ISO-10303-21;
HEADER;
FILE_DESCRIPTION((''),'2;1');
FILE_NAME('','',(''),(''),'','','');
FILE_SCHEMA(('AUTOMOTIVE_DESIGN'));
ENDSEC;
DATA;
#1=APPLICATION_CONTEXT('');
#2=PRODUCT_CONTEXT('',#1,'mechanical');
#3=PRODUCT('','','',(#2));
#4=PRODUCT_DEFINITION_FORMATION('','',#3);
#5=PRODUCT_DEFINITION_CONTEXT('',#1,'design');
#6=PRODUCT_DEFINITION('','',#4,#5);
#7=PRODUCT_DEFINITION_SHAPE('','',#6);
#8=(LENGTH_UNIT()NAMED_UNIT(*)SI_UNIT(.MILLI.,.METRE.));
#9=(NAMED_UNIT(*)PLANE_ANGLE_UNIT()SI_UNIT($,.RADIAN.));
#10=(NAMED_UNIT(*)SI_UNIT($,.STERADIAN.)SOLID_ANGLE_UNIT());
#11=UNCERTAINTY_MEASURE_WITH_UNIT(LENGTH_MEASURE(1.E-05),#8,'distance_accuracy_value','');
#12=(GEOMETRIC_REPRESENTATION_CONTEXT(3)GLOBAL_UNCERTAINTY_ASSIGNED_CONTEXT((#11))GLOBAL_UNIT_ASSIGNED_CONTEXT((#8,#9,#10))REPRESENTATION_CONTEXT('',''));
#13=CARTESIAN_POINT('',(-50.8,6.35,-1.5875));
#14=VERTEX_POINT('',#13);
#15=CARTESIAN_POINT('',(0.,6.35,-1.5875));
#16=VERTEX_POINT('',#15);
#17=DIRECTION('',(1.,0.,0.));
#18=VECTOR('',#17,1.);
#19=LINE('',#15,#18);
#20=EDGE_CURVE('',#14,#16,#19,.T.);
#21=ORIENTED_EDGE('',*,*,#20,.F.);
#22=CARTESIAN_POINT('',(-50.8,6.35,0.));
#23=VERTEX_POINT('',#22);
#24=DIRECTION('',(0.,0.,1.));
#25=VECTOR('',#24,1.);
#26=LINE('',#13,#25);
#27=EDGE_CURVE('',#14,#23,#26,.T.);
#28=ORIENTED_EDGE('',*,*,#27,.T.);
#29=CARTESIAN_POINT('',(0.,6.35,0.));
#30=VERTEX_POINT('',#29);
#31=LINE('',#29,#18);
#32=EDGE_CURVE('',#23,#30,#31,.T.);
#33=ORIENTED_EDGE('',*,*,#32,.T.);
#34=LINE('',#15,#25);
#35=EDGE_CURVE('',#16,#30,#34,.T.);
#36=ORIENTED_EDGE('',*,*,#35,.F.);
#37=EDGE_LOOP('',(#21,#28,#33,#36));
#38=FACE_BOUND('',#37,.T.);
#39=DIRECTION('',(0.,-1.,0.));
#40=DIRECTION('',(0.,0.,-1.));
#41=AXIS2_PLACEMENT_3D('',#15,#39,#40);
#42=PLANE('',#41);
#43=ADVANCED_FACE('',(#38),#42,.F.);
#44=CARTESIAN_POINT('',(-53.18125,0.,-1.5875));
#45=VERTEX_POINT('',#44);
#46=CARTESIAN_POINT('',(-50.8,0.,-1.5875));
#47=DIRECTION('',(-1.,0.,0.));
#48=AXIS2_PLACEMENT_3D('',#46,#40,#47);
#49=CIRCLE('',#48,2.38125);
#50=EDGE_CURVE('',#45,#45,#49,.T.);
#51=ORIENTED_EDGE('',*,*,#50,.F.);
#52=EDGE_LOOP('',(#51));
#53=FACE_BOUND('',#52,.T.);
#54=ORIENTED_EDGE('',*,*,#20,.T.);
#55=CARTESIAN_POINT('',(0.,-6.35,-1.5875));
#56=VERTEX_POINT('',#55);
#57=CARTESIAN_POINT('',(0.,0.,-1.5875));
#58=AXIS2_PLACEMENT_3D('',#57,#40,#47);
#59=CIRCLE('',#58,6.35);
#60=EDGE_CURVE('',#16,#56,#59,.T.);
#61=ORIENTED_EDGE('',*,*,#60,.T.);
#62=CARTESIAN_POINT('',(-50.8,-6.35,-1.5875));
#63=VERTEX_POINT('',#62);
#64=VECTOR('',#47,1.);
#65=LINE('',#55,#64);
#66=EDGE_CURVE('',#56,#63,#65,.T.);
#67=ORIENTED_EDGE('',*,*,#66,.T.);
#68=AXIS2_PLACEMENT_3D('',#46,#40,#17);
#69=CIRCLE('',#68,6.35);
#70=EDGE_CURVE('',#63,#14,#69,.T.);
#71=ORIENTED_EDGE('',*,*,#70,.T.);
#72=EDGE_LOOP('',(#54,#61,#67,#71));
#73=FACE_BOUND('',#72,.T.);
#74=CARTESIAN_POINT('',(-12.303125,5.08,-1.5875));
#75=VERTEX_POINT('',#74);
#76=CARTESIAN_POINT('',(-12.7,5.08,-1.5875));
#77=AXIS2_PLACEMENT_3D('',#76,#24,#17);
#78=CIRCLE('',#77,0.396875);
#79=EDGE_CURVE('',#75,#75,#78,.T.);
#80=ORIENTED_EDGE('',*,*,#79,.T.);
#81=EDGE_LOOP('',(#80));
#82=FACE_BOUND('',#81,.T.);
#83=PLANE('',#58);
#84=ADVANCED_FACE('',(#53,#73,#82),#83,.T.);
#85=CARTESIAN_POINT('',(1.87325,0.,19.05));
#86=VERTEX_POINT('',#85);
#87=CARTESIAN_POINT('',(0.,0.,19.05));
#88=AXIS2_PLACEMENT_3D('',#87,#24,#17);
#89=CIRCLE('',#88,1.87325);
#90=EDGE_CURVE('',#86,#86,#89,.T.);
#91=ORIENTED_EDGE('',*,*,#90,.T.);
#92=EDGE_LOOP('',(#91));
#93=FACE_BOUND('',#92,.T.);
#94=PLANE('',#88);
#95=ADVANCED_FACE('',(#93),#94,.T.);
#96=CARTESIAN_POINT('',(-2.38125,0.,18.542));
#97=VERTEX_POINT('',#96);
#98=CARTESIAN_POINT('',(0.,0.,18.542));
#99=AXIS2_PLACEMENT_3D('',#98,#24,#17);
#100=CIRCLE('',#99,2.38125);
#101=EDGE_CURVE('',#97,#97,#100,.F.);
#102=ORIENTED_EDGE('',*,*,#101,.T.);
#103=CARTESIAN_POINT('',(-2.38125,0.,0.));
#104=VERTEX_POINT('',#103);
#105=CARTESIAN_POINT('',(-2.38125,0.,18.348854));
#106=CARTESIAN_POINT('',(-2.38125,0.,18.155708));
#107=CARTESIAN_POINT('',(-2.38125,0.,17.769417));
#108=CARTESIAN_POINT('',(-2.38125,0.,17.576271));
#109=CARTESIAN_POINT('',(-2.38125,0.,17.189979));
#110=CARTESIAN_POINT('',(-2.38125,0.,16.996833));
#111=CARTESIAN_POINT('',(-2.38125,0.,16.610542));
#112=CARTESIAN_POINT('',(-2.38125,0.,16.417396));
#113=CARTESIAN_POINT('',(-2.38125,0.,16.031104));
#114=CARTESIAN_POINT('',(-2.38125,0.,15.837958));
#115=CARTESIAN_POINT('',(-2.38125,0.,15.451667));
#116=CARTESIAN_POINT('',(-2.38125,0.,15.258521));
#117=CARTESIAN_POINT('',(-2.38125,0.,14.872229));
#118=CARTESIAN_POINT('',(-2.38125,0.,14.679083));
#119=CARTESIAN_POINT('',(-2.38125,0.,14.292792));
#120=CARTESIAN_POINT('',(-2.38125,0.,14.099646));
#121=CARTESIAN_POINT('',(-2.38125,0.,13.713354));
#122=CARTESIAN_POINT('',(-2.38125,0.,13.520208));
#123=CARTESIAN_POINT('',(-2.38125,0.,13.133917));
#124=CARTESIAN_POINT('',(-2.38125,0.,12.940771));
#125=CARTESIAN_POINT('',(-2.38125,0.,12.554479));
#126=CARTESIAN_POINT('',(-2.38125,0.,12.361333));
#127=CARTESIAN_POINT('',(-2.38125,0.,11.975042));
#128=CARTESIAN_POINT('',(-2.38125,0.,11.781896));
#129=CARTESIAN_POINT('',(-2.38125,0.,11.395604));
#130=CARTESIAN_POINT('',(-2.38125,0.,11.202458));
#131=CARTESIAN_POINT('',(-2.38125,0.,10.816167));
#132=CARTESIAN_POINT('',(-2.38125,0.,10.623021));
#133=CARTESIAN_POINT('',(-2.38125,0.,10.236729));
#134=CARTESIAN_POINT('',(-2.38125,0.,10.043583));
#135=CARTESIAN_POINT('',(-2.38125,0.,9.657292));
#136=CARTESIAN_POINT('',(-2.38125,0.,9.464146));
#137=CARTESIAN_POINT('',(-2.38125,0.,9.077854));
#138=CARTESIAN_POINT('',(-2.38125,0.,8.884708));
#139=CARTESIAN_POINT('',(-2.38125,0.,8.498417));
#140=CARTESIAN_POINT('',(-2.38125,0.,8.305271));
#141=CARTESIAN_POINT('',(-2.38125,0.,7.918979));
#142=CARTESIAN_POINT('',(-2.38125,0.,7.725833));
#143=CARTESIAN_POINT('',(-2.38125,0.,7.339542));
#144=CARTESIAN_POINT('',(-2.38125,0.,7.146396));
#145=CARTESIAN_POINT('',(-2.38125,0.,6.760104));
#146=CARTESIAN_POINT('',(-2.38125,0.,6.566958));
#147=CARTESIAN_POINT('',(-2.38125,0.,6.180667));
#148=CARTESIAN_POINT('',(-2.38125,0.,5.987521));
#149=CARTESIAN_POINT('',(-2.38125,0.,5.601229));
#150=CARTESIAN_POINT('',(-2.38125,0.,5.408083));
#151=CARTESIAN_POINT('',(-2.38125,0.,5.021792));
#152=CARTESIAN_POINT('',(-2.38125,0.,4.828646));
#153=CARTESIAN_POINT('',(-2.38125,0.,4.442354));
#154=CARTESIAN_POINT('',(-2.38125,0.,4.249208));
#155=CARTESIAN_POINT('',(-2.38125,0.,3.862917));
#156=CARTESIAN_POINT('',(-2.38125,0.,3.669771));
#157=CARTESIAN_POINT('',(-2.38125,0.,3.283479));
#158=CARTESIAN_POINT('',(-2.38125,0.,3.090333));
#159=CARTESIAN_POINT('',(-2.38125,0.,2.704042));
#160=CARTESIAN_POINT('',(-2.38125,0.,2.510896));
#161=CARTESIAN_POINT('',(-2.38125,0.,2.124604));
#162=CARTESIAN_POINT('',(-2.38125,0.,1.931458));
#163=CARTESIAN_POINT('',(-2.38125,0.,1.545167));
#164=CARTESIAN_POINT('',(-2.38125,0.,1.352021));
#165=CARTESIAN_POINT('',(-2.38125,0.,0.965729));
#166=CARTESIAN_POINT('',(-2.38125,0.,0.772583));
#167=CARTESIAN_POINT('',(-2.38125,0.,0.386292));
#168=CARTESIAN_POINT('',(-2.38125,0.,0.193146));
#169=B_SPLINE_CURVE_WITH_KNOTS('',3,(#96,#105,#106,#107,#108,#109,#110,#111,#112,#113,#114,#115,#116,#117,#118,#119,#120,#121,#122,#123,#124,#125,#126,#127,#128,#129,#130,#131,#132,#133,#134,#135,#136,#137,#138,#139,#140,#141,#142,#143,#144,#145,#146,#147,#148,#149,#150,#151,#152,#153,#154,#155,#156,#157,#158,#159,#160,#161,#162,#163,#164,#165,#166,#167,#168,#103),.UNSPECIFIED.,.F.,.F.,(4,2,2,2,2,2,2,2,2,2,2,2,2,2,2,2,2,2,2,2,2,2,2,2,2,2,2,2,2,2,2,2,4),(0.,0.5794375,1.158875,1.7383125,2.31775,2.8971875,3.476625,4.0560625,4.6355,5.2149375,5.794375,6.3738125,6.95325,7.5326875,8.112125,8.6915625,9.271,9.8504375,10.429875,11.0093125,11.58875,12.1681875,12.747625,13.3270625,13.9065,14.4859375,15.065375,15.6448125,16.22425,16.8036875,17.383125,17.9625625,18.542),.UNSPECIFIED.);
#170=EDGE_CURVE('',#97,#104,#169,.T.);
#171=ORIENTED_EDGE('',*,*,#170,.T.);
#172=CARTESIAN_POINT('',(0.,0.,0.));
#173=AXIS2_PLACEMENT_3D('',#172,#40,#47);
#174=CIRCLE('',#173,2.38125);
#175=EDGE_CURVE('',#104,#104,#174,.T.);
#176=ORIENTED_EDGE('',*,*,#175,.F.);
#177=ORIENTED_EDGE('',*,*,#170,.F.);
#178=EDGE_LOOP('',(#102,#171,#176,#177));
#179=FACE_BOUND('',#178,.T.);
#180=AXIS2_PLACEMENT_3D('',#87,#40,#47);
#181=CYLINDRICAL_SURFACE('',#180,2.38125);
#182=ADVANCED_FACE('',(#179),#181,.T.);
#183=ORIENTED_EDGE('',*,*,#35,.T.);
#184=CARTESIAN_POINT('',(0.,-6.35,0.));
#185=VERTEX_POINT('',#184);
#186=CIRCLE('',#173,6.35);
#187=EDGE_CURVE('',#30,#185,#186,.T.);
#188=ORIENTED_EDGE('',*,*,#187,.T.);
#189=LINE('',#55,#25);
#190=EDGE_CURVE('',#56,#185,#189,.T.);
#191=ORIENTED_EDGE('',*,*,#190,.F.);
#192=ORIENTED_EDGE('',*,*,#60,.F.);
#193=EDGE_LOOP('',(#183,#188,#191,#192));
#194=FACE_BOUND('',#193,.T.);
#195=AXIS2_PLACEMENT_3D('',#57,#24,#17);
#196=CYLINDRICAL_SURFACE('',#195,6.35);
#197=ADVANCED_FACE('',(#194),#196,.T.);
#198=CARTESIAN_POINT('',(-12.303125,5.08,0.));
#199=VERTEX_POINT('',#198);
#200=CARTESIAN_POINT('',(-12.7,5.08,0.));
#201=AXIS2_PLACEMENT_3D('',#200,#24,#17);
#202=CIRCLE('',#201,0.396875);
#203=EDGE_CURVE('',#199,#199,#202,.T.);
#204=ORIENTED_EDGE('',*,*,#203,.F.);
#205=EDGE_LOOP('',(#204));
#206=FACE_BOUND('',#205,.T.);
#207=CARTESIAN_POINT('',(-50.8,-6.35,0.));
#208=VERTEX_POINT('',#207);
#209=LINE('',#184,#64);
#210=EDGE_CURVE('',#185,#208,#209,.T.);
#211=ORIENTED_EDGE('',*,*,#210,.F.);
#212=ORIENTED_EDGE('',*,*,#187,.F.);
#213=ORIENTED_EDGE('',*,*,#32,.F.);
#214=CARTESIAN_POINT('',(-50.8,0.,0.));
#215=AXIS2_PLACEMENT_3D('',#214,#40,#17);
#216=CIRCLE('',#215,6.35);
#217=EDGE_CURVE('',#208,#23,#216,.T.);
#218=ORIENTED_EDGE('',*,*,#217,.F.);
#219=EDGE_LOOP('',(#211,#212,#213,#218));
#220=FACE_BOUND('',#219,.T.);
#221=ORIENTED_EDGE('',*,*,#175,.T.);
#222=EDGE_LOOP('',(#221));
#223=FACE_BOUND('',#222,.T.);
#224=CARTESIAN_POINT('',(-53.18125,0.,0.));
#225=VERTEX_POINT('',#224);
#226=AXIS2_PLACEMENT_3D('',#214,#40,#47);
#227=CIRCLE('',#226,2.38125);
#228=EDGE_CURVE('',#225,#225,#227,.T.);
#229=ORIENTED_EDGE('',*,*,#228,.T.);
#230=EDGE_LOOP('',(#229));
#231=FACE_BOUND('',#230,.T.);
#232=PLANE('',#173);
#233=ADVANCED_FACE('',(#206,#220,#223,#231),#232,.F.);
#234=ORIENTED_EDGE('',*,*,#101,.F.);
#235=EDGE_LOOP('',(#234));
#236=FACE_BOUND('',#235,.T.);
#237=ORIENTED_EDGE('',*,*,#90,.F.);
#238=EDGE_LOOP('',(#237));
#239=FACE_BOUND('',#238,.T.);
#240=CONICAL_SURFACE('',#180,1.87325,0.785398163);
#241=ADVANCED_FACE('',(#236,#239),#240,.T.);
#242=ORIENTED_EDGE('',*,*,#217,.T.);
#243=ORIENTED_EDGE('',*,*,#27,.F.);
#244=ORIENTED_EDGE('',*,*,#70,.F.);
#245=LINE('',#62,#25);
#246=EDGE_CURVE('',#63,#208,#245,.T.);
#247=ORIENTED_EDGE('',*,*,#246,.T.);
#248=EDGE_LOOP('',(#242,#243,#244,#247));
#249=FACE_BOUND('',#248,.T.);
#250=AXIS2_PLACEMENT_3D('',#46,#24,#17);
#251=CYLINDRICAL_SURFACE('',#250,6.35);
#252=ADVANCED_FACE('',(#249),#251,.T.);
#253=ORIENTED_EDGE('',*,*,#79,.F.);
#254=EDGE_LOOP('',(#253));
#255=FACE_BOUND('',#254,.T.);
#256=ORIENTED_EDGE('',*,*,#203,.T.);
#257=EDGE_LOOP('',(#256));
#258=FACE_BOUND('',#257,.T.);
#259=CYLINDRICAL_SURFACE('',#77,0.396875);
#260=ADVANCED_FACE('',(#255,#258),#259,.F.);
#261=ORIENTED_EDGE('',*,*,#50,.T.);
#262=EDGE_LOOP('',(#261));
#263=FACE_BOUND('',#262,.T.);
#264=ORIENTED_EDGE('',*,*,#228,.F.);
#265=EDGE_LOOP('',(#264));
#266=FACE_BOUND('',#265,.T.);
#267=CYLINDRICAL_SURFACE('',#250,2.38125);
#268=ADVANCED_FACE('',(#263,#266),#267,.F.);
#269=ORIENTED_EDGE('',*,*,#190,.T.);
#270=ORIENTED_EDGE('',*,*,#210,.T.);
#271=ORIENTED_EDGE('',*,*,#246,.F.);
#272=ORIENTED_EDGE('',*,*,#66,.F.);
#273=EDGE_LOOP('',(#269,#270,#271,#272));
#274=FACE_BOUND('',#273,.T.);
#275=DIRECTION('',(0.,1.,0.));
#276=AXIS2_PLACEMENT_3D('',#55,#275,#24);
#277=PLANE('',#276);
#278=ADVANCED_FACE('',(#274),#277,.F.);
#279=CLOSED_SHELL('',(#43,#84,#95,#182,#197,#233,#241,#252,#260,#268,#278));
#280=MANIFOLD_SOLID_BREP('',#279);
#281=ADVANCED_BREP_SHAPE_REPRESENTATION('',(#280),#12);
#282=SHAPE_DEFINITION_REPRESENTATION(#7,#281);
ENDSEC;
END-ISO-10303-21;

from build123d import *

# Parameters (mm, degrees)
SKETCH1_R           = 2.38125
BOSS_EXTRUDE1_DEPTH = 19.05
CHAMFER1_SIZE       = 0.508
SKETCH3_R           = 2.38125
BOSS_EXTRUDE2_DEPTH = 1.5875
SKETCH4_R           = 0.396875
CUT_EXTRUDE3_DEPTH  = 61.57513929


with BuildPart() as part:
    # Sketch1 → Boss-Extrude1 (new body)
    with BuildSketch(Plane.XY):
        with Locations(Location((0, 0, 0), (0, 0, 180))):
            Circle(SKETCH1_R)
    extrude(amount=BOSS_EXTRUDE1_DEPTH)

    # Chamfer1
    chamfer1_edges = [part.edges().sort_by_distance(p)[0] for p in [
        (2.38125, 0, 19.05),
    ]]
    chamfer(chamfer1_edges, length=CHAMFER1_SIZE)

    # Sketch3 → Boss-Extrude2 (add)
    with BuildSketch(Plane(origin=(0, 0, 0), x_dir=(-1, 0, 0), z_dir=(0, 0, -1))):
        with BuildLine():
            Line((0, 6.35), (50.8, 6.35))
            ThreePointArc((50.8, 6.35), (57.15, 0), (50.8, -6.35))
            Line((50.8, -6.35), (0, -6.35))
            ThreePointArc((0, -6.35), (-6.35, 0), (0, 6.35))
        make_face()
        with Locations((50.8, 0)):
            Circle(SKETCH3_R, mode=Mode.SUBTRACT)
    extrude(amount=BOSS_EXTRUDE2_DEPTH)

    # Sketch4 → Cut-Extrude3 (cut, through all)
    with BuildSketch(Plane.XY):
        with Locations((-12.7, 5.08)):
            Circle(SKETCH4_R)
    extrude(amount=-CUT_EXTRUDE3_DEPTH, mode=Mode.SUBTRACT)


solid = part.part
